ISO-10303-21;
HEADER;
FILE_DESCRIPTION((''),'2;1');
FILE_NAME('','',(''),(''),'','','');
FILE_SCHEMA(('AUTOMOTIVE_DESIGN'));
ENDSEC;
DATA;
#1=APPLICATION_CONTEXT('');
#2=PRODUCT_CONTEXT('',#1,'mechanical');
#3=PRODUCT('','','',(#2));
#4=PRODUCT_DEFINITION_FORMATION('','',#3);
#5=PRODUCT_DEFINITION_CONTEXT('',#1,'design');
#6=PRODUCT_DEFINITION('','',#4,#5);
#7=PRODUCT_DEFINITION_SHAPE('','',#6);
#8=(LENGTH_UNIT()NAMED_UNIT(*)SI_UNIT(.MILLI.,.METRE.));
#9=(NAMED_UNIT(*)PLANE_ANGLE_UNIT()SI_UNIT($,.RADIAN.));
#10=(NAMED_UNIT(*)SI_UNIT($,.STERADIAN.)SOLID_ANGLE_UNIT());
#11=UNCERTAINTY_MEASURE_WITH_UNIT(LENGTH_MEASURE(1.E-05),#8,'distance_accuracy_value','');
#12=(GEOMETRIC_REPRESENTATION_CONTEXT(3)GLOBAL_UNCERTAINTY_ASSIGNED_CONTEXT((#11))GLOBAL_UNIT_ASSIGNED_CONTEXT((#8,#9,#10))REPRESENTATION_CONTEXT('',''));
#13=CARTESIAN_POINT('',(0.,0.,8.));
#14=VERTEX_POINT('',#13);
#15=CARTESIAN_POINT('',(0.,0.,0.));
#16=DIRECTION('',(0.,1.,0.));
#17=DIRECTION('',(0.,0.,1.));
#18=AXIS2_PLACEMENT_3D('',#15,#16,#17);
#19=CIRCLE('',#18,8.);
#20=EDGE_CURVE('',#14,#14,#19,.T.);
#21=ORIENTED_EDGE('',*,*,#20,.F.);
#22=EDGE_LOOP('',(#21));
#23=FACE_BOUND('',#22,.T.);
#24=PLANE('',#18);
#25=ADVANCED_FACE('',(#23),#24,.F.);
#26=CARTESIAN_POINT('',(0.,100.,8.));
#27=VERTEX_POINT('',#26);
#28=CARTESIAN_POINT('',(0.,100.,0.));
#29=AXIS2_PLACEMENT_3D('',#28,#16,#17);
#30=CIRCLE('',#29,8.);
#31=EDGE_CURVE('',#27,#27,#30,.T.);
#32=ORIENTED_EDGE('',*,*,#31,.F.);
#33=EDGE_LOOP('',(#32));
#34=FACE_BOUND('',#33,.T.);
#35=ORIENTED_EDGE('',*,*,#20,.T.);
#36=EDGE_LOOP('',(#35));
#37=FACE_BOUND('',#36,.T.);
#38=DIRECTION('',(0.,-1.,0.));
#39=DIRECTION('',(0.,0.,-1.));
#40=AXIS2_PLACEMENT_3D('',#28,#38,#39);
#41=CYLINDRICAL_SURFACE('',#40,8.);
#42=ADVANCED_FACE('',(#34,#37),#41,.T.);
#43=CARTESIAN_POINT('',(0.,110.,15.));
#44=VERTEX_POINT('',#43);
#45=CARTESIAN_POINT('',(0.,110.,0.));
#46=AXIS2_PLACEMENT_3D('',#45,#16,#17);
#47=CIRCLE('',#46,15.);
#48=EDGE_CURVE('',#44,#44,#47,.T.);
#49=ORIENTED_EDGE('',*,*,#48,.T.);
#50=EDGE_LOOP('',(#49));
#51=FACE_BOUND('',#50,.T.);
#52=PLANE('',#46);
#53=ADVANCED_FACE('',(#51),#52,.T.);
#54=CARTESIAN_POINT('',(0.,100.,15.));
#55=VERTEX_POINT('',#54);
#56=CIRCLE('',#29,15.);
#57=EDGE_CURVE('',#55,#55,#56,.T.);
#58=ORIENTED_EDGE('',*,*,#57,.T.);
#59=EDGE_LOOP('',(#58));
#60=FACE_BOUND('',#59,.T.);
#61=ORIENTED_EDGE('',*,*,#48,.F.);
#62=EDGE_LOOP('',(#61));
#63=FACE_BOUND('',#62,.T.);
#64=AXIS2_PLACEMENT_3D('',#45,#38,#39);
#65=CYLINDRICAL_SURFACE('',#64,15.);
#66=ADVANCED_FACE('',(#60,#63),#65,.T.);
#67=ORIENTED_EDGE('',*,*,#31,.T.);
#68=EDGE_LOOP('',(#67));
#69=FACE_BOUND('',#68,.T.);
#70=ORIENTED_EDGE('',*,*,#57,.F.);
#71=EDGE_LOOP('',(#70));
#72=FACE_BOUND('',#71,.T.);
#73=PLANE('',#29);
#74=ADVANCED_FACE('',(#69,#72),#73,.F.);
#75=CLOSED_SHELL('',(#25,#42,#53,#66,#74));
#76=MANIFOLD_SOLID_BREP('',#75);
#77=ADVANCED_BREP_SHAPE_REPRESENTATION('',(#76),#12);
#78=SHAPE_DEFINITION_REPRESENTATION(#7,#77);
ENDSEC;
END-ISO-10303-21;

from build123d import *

# Parameters (mm, degrees)
SKETCH_1_R      = 8
EXTRUDE_1_DEPTH = 100
SKETCH_2_R      = 15
EXTRUDE_2_DEPTH = 10


with BuildPart() as part:
    # 草图1 → 凸台-拉伸1 (new body)
    with BuildSketch(Plane(origin=(0, 0, 0), x_dir=(1, 0, 0), z_dir=(0, 1, 0))):
        with Locations(Location((0, 0, 0), (0, 0, 270))):
            Circle(SKETCH_1_R)
    extrude(amount=EXTRUDE_1_DEPTH)

    # 草图2 → 凸台-拉伸2 (add)
    with BuildSketch(Plane(origin=(0, 100, 0), x_dir=(1, 0, 0), z_dir=(0, 1, 0))):
        with Locations(Location((0, 0, 0), (0, 0, 270))):
            Circle(SKETCH_2_R)
    extrude(amount=EXTRUDE_2_DEPTH)


solid = part.part
